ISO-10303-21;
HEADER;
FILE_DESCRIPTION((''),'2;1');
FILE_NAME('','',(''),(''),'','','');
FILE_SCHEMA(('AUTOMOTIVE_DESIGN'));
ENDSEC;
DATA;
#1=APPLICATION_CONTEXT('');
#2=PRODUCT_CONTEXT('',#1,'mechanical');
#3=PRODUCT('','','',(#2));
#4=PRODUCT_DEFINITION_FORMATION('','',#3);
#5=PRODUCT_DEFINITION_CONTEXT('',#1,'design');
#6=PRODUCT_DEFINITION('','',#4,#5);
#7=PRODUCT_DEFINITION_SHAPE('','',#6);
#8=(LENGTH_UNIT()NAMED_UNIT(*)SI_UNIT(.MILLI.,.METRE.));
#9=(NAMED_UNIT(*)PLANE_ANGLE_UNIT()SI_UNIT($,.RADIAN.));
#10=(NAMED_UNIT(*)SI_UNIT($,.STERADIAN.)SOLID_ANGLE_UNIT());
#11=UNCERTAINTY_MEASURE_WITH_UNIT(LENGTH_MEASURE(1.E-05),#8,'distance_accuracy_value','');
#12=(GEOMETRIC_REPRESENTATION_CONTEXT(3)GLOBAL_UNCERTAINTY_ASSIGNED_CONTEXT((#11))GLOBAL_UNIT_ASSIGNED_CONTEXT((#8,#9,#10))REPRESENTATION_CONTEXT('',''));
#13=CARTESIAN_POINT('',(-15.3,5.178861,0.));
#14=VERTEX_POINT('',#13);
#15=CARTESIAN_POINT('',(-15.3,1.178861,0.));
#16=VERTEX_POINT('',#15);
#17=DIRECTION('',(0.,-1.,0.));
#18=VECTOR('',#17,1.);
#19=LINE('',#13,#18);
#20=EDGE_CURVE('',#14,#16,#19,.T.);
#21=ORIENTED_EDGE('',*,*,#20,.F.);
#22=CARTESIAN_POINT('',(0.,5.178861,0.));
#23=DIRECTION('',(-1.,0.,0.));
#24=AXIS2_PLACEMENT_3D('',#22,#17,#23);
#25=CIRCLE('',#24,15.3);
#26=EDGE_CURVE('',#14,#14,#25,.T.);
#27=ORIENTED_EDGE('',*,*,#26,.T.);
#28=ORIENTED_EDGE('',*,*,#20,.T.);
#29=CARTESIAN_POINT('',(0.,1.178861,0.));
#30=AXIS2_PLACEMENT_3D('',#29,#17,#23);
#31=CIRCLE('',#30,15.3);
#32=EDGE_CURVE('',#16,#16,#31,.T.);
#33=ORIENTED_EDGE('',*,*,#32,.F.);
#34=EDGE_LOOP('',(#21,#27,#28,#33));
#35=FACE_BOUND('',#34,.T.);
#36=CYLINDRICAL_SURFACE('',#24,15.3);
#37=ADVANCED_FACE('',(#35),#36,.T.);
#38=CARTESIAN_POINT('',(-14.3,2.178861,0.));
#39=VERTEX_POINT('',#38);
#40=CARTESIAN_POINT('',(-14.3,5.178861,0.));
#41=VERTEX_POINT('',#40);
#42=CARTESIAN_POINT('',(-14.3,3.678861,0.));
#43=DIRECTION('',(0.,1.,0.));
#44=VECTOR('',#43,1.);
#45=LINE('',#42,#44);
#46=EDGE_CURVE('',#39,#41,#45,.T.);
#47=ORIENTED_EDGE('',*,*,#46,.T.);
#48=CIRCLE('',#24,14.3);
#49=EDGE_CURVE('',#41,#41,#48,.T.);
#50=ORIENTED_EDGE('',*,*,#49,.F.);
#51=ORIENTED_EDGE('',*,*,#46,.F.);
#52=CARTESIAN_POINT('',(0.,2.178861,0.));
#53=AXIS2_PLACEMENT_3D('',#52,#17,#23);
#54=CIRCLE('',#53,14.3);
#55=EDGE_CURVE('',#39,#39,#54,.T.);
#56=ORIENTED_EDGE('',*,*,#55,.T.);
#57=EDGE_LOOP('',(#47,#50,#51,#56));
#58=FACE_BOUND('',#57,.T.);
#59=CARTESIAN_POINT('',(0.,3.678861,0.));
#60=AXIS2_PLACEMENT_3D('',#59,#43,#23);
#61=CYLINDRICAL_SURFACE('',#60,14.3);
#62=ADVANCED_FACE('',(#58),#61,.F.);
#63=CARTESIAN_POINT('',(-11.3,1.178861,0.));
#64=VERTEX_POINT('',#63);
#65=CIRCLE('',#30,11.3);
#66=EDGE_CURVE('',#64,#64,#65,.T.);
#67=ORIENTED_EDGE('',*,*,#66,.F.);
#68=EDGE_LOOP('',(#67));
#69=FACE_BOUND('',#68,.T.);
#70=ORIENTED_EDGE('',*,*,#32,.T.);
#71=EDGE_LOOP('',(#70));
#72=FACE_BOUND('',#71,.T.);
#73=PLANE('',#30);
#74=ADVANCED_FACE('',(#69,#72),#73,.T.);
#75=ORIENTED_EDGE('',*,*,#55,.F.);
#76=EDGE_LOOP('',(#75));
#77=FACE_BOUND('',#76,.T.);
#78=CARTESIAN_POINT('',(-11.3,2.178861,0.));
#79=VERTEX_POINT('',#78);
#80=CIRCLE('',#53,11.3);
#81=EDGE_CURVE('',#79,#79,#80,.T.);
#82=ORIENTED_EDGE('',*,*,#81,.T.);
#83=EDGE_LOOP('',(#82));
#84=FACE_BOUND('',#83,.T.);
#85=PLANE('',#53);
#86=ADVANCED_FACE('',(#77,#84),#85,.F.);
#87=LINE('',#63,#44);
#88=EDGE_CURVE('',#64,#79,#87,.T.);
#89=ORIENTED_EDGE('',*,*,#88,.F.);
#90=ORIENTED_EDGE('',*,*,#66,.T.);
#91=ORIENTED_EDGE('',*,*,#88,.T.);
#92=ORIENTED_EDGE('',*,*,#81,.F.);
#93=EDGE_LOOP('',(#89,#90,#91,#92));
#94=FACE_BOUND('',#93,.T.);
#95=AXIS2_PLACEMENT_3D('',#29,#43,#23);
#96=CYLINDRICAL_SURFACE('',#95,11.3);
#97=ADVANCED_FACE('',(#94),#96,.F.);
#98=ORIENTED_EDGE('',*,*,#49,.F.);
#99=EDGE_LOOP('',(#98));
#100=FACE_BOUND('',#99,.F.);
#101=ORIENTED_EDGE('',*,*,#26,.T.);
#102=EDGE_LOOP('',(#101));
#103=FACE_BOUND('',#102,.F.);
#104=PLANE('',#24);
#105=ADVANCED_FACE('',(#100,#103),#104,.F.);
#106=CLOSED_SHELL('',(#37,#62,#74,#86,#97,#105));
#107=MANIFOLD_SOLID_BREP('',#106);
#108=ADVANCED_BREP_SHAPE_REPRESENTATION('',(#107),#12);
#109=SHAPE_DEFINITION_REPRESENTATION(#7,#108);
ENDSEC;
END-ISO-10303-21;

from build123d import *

# Parameters (mm, degrees)
F0_W = 1
F0_H = 3


with BuildPart() as f1:
    # F0 (on Top) → F1 (revolve)
    with BuildSketch(Plane.XY):
        with Locations((-14.8, 3.678861)):
            Rectangle(F0_W, F0_H)
        Polygon((-15.3, 1.178861), (-11.3, 1.178861), (-11.3, 2.178861), (-14.3, 2.178861), (-15.3, 2.178861), align=None)
    revolve(axis=Axis((0, 2.084704, 0), (0, -1, 0)))


solid = f1.part
